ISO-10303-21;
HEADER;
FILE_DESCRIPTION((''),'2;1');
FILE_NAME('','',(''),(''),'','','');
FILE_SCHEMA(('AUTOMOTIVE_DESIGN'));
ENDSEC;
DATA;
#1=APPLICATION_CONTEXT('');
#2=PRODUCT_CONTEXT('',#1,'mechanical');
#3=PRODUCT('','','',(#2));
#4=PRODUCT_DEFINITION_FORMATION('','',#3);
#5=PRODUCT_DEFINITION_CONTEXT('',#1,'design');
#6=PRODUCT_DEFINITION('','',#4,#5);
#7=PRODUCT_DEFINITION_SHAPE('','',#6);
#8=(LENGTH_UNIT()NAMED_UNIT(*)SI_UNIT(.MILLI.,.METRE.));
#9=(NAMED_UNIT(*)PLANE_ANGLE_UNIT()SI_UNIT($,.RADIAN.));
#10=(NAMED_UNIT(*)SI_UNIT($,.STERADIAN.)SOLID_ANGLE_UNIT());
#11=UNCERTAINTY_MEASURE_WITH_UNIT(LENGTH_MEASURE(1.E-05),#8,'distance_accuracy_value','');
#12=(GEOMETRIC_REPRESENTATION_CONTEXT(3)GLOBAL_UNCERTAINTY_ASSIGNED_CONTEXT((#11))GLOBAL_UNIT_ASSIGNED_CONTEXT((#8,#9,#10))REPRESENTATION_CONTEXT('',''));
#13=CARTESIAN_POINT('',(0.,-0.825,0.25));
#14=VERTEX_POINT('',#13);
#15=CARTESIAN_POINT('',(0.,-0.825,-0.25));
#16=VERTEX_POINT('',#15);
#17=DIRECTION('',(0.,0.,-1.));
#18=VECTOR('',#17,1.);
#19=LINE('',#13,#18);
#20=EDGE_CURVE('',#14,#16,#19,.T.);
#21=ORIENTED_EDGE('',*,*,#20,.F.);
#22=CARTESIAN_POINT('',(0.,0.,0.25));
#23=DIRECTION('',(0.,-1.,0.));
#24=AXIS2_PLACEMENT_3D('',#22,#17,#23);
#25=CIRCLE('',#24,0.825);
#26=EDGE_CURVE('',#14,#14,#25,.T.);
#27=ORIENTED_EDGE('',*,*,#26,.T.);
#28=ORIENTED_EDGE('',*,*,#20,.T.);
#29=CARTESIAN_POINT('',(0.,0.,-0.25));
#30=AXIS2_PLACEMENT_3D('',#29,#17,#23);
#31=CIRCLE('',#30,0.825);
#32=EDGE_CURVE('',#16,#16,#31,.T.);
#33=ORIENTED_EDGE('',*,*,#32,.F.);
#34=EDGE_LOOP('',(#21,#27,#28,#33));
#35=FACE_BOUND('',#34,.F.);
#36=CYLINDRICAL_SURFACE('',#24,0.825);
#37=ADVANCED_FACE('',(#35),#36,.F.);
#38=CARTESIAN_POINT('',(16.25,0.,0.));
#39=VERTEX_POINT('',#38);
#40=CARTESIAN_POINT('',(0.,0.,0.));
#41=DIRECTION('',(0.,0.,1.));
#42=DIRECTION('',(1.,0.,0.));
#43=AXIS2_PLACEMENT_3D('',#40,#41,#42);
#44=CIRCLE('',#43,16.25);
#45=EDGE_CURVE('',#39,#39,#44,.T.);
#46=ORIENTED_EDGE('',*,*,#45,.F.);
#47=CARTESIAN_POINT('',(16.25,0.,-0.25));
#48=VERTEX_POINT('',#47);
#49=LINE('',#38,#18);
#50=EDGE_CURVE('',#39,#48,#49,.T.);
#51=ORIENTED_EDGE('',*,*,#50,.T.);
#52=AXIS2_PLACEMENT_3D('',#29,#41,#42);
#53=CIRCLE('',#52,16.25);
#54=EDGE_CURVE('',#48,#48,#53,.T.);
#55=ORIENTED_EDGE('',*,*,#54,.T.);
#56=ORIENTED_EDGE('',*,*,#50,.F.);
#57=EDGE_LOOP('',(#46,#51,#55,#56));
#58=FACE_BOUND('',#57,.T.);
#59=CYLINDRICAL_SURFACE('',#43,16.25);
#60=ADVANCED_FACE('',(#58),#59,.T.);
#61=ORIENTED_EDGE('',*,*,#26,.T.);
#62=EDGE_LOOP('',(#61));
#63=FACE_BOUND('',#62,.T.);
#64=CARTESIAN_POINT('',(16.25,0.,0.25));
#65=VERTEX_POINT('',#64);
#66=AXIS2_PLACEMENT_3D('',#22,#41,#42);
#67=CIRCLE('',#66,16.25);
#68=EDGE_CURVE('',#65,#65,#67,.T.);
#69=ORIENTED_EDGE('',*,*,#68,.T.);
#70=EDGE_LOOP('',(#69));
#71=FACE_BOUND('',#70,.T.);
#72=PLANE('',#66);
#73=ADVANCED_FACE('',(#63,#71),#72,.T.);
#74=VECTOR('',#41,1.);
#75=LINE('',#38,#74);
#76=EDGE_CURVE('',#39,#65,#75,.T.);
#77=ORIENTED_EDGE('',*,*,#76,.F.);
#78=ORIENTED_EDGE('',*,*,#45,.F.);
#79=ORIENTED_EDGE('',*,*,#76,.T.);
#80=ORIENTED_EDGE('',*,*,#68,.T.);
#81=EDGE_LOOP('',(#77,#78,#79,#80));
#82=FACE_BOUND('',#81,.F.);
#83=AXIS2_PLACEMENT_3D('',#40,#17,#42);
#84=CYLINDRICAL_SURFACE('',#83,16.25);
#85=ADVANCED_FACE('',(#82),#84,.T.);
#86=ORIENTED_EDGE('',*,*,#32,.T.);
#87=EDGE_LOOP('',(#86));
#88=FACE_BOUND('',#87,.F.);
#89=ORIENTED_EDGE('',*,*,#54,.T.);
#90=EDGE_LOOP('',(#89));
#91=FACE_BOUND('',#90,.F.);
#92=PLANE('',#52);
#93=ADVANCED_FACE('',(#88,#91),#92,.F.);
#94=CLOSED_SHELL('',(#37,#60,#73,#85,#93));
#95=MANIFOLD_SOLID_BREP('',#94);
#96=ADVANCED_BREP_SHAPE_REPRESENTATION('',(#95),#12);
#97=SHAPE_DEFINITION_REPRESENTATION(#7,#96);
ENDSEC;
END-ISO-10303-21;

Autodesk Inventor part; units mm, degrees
ref_plane "YZ Plane" through (0, 0, 0) normal (1, 0, 0) x (0, 1, 0)
ref_plane "XZ Plane" through (0, 0, 0) normal (0, 1, 0) x (-1, 0, 0)
ref_plane "XY Plane" through (0, 0, 0) normal (0, 0, 1) x (1, 0, 0)
sketch "Skizze1" plane through (0, 0, 0) normal (0, 0, 1) x (1, 0, 0)
  circle A0 centre (0, 0) radius 16.25
  dimension "d0" = 32.5
extrude "Extrusion1" add sketch "Skizze1" along normal mid plane 0.5
sketch "Skizze2" plane through (0, 0, 0.25) normal (0, 0, 1) x (1, 0, 0)
  circle A0 centre (0, 0) radius 16.25 projected
hole "Bohrung1" at (0, 0, 0.25) direction (0, 0, -1) diameter 1.65 depth 0.5
properties part number "spiral plate"
